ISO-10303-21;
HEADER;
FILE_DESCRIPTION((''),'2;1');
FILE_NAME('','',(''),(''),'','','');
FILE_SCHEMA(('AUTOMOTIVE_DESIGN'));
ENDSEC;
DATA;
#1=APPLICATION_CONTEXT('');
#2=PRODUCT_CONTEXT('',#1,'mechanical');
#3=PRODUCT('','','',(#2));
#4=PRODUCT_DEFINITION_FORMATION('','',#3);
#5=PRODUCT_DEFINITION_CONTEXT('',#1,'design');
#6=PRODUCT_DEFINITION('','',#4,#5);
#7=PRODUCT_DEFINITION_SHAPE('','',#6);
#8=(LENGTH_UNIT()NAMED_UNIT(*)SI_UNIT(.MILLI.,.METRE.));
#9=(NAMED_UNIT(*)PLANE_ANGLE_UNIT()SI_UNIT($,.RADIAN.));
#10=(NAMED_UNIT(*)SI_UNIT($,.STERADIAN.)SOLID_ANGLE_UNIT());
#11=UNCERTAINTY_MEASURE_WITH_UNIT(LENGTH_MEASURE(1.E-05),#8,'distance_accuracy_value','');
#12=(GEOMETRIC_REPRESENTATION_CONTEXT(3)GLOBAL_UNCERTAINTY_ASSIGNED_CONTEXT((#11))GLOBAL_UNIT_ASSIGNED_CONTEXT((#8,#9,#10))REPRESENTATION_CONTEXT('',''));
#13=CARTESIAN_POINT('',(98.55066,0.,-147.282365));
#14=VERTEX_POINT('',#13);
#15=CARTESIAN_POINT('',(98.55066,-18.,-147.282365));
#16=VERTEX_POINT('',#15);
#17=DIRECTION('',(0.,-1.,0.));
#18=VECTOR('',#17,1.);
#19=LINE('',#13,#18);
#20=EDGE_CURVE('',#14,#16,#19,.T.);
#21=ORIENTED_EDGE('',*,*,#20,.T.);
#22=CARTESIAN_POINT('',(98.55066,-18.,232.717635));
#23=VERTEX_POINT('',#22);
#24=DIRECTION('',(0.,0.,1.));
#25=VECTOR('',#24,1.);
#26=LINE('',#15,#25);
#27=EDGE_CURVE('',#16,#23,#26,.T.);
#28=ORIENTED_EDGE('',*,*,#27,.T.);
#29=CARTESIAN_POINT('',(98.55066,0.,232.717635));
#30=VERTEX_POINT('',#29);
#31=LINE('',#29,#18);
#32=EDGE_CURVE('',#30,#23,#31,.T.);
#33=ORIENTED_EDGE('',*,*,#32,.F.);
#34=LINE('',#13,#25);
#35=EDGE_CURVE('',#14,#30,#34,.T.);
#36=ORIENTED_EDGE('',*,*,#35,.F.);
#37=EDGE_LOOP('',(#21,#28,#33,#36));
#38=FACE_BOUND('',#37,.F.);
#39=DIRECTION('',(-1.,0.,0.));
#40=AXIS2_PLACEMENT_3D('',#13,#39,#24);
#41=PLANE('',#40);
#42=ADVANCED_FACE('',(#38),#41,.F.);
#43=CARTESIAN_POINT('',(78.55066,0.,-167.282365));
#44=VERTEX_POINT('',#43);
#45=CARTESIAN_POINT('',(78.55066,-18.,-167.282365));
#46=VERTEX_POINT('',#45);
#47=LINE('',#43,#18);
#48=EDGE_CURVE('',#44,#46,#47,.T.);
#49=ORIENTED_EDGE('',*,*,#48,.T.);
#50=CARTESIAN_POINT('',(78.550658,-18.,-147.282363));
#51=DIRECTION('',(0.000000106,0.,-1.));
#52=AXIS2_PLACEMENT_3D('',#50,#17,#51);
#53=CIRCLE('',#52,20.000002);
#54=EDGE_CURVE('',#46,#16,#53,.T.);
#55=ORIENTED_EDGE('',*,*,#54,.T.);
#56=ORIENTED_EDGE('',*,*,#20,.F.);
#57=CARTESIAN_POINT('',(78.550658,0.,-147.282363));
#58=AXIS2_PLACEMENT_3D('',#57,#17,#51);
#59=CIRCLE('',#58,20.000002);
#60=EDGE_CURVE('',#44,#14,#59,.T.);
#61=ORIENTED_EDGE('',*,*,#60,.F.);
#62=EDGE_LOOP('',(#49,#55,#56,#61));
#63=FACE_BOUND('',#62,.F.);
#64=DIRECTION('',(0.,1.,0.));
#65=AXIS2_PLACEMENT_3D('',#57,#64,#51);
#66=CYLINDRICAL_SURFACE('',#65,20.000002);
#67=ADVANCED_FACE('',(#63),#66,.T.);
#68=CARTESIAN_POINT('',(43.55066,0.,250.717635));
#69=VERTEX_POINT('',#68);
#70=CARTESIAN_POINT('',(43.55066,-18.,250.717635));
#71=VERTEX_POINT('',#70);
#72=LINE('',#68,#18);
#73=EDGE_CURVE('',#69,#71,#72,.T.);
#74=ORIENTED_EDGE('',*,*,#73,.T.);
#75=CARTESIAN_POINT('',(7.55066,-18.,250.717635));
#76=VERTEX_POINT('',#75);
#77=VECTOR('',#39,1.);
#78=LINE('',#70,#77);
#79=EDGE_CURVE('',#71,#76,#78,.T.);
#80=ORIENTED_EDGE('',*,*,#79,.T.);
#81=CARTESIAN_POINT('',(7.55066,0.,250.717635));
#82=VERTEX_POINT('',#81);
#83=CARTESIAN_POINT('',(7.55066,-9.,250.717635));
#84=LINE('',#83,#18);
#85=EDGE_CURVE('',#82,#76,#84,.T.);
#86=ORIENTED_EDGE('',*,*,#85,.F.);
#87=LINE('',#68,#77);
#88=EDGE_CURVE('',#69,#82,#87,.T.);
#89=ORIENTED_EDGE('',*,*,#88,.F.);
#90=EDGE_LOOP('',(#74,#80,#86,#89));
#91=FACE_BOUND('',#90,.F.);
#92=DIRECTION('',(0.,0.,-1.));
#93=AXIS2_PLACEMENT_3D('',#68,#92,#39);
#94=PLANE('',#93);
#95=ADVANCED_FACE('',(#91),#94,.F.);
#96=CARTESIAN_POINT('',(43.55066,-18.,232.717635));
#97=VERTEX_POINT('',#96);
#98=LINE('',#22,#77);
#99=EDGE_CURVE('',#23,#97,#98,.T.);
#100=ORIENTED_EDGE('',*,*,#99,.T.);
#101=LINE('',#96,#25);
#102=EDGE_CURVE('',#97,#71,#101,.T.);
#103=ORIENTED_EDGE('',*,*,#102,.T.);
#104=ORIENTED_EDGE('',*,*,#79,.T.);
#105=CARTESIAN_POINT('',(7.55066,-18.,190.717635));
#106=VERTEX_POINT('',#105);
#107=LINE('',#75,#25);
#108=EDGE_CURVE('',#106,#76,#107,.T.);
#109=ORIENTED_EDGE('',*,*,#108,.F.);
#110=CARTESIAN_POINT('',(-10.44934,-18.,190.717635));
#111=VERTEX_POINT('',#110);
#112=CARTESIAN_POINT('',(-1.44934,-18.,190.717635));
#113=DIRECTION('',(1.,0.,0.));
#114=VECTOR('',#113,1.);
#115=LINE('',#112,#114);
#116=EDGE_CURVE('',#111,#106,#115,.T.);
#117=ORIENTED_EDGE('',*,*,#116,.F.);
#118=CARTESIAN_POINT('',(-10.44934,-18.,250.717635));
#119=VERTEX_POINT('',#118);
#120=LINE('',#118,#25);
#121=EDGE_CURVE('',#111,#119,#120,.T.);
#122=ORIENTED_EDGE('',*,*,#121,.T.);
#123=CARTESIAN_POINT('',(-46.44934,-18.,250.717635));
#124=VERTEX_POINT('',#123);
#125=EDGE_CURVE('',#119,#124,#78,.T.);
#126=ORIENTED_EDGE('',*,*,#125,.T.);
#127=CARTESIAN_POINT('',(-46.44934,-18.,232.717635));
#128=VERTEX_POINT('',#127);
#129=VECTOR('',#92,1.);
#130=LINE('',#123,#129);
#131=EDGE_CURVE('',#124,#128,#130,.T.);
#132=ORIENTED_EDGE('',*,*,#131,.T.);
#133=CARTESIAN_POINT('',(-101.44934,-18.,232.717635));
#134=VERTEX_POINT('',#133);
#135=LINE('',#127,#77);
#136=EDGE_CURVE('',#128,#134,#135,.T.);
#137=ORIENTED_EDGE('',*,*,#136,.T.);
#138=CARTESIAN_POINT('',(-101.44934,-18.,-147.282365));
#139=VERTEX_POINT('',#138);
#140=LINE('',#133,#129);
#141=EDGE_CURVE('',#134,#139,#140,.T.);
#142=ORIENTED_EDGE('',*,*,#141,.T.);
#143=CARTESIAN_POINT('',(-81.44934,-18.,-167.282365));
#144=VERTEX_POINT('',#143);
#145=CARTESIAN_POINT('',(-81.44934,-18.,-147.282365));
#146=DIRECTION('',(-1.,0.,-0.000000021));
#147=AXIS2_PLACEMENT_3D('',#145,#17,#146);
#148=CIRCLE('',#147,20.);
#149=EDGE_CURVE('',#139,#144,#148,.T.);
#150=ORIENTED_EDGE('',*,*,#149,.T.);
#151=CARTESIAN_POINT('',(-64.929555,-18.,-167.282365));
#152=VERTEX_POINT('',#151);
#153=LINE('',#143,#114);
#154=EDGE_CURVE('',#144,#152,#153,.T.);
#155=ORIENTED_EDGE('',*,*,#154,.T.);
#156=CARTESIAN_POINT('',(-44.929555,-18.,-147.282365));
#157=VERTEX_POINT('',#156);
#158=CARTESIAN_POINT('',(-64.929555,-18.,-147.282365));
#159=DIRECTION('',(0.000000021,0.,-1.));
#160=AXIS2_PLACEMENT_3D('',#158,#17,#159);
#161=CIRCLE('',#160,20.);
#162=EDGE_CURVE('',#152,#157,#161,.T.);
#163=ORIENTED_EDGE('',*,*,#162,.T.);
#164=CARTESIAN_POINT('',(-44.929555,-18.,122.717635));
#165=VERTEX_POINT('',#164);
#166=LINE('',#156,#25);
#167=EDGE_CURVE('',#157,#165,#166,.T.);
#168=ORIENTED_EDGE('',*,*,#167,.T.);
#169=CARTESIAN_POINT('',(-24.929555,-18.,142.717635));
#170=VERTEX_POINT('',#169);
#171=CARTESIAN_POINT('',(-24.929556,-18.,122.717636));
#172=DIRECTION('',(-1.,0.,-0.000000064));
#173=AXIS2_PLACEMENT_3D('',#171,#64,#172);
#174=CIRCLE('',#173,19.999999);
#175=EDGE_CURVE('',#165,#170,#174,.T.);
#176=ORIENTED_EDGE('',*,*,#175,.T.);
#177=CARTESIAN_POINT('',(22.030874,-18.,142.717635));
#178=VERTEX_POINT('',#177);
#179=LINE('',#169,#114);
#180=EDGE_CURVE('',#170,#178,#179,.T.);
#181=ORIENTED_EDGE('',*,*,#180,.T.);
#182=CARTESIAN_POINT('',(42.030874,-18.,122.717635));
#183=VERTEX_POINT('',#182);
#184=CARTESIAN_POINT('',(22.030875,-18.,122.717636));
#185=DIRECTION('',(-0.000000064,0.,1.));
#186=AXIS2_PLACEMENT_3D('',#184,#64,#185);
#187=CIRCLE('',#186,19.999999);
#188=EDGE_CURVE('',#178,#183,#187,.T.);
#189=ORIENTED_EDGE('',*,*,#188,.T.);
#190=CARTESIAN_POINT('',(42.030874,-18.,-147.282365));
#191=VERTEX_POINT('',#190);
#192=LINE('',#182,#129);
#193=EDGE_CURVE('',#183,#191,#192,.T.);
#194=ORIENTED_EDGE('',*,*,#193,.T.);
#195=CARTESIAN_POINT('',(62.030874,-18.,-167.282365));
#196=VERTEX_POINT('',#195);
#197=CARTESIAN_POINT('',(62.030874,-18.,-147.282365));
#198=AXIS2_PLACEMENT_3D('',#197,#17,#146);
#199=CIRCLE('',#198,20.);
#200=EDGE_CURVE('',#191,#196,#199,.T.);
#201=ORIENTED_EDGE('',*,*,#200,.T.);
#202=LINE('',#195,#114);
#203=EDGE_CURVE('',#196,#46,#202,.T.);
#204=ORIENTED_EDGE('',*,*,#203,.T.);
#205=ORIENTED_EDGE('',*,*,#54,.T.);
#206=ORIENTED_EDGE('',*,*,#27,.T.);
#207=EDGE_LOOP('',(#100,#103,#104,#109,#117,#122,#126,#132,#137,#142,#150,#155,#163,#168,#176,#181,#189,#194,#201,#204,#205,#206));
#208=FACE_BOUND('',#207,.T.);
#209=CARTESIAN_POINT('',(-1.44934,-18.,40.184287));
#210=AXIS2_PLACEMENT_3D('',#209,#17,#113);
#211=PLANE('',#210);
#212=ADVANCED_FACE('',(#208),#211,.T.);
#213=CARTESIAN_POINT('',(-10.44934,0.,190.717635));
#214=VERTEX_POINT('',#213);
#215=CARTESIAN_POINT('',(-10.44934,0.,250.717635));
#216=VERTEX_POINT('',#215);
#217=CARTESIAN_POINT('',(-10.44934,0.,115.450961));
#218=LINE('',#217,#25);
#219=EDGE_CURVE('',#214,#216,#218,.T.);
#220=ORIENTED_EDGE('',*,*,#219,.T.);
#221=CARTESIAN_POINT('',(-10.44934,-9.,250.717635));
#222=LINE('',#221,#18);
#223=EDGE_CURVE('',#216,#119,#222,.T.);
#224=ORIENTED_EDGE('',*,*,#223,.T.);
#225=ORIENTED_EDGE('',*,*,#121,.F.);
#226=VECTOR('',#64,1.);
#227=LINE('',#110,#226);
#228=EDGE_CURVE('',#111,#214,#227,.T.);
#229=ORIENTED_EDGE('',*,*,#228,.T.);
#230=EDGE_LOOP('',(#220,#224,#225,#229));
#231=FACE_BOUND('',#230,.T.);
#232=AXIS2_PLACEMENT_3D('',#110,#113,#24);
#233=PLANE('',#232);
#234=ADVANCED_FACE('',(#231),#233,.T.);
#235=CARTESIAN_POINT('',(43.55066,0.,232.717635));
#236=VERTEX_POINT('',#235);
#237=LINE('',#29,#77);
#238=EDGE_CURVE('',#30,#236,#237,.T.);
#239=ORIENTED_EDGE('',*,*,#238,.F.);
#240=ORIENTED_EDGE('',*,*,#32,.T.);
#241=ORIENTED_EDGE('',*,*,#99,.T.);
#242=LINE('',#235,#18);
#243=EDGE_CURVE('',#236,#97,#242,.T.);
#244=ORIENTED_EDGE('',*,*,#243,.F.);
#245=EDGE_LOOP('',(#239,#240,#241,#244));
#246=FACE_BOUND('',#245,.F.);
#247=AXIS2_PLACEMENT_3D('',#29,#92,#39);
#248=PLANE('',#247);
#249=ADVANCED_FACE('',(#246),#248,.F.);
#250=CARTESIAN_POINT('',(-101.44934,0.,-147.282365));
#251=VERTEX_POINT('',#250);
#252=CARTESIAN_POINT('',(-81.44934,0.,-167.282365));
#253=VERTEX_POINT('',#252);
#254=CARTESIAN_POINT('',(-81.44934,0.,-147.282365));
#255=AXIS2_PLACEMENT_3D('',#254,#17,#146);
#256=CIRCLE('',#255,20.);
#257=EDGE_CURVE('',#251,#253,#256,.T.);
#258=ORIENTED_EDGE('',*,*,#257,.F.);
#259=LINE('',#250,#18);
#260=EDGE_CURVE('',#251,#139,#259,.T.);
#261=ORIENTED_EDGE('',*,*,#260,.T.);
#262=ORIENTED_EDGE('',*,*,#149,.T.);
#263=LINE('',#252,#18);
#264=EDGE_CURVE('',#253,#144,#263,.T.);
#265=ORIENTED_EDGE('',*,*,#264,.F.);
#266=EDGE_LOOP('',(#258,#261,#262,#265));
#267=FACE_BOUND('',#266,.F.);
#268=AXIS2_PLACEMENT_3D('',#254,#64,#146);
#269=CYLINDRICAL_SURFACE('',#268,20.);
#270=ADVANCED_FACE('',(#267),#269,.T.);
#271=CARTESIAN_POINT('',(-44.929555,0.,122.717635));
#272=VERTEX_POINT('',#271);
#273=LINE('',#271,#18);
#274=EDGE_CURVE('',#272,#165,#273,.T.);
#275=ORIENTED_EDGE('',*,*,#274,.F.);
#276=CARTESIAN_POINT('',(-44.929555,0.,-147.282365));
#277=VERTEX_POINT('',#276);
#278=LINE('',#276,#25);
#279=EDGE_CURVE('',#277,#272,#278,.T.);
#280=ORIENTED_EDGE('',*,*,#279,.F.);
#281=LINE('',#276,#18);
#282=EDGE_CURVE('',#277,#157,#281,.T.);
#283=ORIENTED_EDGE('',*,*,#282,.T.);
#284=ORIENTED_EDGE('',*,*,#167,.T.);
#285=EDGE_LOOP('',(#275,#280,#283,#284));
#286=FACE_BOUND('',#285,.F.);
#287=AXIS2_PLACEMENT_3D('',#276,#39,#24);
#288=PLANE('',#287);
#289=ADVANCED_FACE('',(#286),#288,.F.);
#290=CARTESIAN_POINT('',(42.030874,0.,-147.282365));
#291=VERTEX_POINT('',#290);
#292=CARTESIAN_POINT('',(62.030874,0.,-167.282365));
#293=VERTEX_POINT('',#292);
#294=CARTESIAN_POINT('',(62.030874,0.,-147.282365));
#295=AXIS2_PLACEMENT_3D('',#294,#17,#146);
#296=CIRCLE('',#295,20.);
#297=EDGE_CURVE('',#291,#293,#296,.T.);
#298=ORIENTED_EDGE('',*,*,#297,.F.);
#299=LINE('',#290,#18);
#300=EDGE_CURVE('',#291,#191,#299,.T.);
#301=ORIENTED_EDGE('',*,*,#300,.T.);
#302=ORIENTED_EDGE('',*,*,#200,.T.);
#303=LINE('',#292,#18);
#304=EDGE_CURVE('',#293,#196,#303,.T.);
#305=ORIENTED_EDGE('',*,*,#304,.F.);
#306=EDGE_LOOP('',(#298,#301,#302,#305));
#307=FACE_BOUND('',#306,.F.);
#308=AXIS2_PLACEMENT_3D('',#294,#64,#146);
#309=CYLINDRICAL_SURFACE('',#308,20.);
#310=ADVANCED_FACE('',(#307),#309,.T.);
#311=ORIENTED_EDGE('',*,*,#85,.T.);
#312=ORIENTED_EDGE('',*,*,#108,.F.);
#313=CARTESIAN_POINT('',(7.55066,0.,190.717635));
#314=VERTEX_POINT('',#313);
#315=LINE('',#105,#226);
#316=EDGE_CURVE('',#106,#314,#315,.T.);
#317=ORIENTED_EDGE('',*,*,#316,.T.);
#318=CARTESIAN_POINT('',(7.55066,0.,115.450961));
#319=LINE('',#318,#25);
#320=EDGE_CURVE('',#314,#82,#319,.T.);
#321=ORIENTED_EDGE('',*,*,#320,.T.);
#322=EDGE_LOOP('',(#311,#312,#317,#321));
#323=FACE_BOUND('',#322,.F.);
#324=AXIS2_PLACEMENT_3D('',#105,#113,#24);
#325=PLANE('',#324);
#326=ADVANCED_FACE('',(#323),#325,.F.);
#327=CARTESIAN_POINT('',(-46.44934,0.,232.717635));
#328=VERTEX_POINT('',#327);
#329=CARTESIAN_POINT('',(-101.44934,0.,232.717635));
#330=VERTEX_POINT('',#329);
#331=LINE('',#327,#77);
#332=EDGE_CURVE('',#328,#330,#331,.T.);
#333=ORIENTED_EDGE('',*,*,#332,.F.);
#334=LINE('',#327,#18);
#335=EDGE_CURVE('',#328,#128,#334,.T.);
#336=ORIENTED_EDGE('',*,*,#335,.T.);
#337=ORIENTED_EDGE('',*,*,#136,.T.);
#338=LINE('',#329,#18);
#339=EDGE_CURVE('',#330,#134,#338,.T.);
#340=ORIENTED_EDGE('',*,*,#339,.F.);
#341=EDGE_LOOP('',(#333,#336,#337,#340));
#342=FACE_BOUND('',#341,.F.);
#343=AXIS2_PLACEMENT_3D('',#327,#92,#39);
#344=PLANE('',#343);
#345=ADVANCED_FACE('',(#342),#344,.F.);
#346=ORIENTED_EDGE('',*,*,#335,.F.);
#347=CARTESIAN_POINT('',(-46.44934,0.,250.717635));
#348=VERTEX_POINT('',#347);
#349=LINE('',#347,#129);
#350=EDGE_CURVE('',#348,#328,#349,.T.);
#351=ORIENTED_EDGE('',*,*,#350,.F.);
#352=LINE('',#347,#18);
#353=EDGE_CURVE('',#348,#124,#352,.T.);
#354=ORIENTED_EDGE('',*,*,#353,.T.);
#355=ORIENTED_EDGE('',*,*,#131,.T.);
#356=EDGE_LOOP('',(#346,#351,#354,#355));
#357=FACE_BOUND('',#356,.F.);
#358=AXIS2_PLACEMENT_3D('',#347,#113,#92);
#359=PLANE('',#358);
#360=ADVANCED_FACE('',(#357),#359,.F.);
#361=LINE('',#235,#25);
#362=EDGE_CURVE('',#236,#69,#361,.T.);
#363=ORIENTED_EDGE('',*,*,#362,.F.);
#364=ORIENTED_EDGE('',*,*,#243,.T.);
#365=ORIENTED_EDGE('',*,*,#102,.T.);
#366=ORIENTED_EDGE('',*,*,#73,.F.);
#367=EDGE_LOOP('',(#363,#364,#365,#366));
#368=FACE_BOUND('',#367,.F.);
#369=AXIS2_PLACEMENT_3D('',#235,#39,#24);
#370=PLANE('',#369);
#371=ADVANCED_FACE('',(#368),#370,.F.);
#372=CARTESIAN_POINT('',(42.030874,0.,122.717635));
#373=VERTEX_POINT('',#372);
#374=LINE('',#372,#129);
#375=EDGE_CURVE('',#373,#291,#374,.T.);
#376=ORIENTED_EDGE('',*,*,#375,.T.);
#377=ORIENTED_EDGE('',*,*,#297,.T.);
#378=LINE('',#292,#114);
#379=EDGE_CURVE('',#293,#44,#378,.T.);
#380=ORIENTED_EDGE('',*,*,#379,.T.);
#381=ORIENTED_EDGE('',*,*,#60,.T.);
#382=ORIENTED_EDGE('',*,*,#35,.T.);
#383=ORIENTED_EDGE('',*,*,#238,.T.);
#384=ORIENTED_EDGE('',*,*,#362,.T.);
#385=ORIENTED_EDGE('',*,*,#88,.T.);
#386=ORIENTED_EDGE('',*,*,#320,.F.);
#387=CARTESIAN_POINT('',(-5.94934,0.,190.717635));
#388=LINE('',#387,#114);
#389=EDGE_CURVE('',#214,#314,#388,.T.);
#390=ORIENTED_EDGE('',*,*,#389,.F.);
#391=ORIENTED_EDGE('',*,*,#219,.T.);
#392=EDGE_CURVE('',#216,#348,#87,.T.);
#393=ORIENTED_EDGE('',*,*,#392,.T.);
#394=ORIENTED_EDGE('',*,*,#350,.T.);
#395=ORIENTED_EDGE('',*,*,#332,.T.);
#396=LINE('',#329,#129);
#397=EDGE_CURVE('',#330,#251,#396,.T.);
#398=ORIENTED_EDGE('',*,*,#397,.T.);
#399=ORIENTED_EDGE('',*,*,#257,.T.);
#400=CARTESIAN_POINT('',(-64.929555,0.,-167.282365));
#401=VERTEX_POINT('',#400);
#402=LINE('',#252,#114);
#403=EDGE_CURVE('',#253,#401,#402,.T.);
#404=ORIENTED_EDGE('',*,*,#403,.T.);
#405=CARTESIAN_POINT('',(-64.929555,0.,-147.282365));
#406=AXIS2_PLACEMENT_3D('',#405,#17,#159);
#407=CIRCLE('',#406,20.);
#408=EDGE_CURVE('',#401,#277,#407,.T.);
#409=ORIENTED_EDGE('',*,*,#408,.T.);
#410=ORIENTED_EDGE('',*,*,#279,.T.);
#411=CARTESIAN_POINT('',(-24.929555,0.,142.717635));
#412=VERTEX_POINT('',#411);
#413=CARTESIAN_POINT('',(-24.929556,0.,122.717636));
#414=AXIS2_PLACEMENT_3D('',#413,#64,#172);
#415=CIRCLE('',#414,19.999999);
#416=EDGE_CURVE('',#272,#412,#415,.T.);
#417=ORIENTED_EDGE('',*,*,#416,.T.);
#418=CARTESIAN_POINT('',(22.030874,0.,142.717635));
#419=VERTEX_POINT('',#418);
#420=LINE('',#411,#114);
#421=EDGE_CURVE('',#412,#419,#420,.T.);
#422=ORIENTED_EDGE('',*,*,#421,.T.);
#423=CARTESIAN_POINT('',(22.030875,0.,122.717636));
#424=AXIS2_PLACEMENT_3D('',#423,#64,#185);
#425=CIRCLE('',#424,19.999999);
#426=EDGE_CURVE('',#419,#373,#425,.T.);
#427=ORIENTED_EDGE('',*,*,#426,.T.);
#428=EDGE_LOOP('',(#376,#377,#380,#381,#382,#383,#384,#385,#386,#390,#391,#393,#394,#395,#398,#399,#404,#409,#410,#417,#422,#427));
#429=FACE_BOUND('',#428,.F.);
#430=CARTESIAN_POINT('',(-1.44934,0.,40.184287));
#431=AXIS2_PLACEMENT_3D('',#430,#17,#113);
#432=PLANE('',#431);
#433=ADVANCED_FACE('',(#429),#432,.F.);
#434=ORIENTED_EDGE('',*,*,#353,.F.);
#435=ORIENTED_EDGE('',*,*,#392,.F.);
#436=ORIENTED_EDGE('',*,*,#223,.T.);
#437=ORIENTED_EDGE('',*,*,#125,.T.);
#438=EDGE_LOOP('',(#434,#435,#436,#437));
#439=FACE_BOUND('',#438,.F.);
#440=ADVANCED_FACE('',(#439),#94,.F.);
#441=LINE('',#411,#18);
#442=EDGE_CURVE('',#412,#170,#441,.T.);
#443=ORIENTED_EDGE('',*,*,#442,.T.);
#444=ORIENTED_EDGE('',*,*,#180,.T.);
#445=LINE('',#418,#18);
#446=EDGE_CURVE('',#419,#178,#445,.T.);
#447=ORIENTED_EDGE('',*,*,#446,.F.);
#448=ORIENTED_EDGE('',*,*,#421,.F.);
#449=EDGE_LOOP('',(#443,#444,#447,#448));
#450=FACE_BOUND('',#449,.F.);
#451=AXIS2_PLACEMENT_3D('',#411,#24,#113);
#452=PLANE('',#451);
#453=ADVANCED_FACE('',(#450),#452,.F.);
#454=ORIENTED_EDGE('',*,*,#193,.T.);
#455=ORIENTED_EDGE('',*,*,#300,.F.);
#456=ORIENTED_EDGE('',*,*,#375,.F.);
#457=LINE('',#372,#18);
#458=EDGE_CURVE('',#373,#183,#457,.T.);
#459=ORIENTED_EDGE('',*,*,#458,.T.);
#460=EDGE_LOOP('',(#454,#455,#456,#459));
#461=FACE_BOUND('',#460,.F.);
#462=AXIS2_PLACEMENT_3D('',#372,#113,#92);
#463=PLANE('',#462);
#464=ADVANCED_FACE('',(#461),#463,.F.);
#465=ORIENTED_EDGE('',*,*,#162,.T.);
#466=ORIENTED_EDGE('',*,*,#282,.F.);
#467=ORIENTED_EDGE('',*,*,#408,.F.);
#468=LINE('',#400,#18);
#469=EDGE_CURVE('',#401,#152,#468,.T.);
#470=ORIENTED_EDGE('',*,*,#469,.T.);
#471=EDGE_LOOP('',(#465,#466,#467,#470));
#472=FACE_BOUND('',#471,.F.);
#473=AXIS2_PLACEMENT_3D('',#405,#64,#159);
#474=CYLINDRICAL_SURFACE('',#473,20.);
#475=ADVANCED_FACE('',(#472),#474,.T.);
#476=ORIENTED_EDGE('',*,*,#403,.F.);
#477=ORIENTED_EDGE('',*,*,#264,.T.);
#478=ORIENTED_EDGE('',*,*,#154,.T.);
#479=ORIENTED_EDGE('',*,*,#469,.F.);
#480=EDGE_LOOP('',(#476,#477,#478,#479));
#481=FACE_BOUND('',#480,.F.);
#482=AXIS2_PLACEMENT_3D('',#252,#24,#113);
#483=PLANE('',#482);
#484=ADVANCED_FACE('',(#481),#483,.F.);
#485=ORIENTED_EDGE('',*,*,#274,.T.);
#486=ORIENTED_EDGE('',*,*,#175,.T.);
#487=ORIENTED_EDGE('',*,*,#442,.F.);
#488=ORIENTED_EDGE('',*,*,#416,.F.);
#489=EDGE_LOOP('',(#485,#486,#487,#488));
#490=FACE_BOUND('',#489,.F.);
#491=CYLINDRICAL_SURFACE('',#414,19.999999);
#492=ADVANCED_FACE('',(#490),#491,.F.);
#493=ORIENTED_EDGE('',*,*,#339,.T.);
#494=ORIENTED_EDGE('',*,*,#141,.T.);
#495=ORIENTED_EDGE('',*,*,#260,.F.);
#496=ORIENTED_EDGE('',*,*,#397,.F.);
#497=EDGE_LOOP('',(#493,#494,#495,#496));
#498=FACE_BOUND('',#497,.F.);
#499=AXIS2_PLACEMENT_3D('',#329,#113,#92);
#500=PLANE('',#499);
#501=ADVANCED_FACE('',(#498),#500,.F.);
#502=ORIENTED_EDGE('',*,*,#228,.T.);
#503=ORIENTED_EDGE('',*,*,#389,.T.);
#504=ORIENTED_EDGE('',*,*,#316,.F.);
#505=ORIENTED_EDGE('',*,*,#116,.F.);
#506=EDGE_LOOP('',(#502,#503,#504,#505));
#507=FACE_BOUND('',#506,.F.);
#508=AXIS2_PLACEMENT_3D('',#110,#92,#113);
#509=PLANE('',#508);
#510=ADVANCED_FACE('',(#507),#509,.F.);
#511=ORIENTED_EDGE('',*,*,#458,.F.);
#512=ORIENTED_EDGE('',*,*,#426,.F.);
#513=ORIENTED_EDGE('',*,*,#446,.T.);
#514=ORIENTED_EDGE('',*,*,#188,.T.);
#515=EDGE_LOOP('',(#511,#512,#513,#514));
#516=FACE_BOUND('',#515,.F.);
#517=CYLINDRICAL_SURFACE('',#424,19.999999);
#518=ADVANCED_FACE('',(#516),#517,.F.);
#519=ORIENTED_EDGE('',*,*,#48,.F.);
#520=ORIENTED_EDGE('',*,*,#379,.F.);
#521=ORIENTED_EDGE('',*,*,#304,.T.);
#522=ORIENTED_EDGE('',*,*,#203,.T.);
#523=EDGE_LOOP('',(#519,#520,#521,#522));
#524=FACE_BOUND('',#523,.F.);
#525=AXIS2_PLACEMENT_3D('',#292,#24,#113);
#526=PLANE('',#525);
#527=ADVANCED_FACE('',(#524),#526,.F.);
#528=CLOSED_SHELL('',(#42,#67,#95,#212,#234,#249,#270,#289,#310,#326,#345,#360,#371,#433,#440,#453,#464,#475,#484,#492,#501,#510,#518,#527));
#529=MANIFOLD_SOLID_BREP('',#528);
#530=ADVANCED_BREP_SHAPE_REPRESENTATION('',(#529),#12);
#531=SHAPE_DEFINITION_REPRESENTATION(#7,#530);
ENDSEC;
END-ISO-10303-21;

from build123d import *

# Parameters (mm, degrees)
F1_DEPTH = 18
F2_W     = 18
F2_H     = 120
F3_DEPTH = 25


with BuildPart() as f1:
    # F0 (on Front) → F1 (new body)
    with BuildSketch(Plane.XZ):
        with BuildLine():
            Line((62.030874, -167.282365), (78.55066, -167.282365))
            ThreePointArc((78.55066, -167.282365), (92.692795, -161.4245), (98.55066, -147.282365))
            Line((98.55066, -147.282365), (98.55066, 232.717635))
            Line((98.55066, 232.717635), (43.55066, 232.717635))
            Line((43.55066, 232.717635), (43.55066, 250.717635))
            Line((43.55066, 250.717635), (-46.44934, 250.717635))
            Line((-46.44934, 250.717635), (-46.44934, 232.717635))
            Line((-46.44934, 232.717635), (-101.44934, 232.717635))
            Line((-101.44934, 232.717635), (-101.44934, -147.282365))
            ThreePointArc((-101.44934, -147.282365), (-95.591476, -161.4245), (-81.44934, -167.282365))
            Line((-81.44934, -167.282365), (-64.929555, -167.282365))
            ThreePointArc((-64.929555, -167.282365), (-50.787419, -161.4245), (-44.929555, -147.282365))
            Line((-44.929555, -147.282365), (-44.929555, -77.282365))
            Line((-44.929555, -77.282365), (-44.929555, 122.717635))
            ThreePointArc((-44.929555, 122.717635), (-39.071691, 136.859771), (-24.929555, 142.717635))
            Line((-24.929555, 142.717635), (22.030874, 142.717635))
            ThreePointArc((22.030874, 142.717635), (36.17301, 136.859771), (42.030874, 122.717635))
            Line((42.030874, 122.717635), (42.030874, -77.282365))
            Line((42.030874, -77.282365), (42.030874, -147.282365))
            ThreePointArc((42.030874, -147.282365), (47.888738, -161.4245), (62.030874, -167.282365))
        make_face()
    extrude(amount=F1_DEPTH)

    # F2 (on face) → F3 (cut)
    with BuildSketch(Plane.XZ.offset(18)):
        with Locations((-1.44934, 250.717635)):
            Rectangle(F2_W, F2_H)
    extrude(amount=-F3_DEPTH, mode=Mode.SUBTRACT)


solid = f1.part
